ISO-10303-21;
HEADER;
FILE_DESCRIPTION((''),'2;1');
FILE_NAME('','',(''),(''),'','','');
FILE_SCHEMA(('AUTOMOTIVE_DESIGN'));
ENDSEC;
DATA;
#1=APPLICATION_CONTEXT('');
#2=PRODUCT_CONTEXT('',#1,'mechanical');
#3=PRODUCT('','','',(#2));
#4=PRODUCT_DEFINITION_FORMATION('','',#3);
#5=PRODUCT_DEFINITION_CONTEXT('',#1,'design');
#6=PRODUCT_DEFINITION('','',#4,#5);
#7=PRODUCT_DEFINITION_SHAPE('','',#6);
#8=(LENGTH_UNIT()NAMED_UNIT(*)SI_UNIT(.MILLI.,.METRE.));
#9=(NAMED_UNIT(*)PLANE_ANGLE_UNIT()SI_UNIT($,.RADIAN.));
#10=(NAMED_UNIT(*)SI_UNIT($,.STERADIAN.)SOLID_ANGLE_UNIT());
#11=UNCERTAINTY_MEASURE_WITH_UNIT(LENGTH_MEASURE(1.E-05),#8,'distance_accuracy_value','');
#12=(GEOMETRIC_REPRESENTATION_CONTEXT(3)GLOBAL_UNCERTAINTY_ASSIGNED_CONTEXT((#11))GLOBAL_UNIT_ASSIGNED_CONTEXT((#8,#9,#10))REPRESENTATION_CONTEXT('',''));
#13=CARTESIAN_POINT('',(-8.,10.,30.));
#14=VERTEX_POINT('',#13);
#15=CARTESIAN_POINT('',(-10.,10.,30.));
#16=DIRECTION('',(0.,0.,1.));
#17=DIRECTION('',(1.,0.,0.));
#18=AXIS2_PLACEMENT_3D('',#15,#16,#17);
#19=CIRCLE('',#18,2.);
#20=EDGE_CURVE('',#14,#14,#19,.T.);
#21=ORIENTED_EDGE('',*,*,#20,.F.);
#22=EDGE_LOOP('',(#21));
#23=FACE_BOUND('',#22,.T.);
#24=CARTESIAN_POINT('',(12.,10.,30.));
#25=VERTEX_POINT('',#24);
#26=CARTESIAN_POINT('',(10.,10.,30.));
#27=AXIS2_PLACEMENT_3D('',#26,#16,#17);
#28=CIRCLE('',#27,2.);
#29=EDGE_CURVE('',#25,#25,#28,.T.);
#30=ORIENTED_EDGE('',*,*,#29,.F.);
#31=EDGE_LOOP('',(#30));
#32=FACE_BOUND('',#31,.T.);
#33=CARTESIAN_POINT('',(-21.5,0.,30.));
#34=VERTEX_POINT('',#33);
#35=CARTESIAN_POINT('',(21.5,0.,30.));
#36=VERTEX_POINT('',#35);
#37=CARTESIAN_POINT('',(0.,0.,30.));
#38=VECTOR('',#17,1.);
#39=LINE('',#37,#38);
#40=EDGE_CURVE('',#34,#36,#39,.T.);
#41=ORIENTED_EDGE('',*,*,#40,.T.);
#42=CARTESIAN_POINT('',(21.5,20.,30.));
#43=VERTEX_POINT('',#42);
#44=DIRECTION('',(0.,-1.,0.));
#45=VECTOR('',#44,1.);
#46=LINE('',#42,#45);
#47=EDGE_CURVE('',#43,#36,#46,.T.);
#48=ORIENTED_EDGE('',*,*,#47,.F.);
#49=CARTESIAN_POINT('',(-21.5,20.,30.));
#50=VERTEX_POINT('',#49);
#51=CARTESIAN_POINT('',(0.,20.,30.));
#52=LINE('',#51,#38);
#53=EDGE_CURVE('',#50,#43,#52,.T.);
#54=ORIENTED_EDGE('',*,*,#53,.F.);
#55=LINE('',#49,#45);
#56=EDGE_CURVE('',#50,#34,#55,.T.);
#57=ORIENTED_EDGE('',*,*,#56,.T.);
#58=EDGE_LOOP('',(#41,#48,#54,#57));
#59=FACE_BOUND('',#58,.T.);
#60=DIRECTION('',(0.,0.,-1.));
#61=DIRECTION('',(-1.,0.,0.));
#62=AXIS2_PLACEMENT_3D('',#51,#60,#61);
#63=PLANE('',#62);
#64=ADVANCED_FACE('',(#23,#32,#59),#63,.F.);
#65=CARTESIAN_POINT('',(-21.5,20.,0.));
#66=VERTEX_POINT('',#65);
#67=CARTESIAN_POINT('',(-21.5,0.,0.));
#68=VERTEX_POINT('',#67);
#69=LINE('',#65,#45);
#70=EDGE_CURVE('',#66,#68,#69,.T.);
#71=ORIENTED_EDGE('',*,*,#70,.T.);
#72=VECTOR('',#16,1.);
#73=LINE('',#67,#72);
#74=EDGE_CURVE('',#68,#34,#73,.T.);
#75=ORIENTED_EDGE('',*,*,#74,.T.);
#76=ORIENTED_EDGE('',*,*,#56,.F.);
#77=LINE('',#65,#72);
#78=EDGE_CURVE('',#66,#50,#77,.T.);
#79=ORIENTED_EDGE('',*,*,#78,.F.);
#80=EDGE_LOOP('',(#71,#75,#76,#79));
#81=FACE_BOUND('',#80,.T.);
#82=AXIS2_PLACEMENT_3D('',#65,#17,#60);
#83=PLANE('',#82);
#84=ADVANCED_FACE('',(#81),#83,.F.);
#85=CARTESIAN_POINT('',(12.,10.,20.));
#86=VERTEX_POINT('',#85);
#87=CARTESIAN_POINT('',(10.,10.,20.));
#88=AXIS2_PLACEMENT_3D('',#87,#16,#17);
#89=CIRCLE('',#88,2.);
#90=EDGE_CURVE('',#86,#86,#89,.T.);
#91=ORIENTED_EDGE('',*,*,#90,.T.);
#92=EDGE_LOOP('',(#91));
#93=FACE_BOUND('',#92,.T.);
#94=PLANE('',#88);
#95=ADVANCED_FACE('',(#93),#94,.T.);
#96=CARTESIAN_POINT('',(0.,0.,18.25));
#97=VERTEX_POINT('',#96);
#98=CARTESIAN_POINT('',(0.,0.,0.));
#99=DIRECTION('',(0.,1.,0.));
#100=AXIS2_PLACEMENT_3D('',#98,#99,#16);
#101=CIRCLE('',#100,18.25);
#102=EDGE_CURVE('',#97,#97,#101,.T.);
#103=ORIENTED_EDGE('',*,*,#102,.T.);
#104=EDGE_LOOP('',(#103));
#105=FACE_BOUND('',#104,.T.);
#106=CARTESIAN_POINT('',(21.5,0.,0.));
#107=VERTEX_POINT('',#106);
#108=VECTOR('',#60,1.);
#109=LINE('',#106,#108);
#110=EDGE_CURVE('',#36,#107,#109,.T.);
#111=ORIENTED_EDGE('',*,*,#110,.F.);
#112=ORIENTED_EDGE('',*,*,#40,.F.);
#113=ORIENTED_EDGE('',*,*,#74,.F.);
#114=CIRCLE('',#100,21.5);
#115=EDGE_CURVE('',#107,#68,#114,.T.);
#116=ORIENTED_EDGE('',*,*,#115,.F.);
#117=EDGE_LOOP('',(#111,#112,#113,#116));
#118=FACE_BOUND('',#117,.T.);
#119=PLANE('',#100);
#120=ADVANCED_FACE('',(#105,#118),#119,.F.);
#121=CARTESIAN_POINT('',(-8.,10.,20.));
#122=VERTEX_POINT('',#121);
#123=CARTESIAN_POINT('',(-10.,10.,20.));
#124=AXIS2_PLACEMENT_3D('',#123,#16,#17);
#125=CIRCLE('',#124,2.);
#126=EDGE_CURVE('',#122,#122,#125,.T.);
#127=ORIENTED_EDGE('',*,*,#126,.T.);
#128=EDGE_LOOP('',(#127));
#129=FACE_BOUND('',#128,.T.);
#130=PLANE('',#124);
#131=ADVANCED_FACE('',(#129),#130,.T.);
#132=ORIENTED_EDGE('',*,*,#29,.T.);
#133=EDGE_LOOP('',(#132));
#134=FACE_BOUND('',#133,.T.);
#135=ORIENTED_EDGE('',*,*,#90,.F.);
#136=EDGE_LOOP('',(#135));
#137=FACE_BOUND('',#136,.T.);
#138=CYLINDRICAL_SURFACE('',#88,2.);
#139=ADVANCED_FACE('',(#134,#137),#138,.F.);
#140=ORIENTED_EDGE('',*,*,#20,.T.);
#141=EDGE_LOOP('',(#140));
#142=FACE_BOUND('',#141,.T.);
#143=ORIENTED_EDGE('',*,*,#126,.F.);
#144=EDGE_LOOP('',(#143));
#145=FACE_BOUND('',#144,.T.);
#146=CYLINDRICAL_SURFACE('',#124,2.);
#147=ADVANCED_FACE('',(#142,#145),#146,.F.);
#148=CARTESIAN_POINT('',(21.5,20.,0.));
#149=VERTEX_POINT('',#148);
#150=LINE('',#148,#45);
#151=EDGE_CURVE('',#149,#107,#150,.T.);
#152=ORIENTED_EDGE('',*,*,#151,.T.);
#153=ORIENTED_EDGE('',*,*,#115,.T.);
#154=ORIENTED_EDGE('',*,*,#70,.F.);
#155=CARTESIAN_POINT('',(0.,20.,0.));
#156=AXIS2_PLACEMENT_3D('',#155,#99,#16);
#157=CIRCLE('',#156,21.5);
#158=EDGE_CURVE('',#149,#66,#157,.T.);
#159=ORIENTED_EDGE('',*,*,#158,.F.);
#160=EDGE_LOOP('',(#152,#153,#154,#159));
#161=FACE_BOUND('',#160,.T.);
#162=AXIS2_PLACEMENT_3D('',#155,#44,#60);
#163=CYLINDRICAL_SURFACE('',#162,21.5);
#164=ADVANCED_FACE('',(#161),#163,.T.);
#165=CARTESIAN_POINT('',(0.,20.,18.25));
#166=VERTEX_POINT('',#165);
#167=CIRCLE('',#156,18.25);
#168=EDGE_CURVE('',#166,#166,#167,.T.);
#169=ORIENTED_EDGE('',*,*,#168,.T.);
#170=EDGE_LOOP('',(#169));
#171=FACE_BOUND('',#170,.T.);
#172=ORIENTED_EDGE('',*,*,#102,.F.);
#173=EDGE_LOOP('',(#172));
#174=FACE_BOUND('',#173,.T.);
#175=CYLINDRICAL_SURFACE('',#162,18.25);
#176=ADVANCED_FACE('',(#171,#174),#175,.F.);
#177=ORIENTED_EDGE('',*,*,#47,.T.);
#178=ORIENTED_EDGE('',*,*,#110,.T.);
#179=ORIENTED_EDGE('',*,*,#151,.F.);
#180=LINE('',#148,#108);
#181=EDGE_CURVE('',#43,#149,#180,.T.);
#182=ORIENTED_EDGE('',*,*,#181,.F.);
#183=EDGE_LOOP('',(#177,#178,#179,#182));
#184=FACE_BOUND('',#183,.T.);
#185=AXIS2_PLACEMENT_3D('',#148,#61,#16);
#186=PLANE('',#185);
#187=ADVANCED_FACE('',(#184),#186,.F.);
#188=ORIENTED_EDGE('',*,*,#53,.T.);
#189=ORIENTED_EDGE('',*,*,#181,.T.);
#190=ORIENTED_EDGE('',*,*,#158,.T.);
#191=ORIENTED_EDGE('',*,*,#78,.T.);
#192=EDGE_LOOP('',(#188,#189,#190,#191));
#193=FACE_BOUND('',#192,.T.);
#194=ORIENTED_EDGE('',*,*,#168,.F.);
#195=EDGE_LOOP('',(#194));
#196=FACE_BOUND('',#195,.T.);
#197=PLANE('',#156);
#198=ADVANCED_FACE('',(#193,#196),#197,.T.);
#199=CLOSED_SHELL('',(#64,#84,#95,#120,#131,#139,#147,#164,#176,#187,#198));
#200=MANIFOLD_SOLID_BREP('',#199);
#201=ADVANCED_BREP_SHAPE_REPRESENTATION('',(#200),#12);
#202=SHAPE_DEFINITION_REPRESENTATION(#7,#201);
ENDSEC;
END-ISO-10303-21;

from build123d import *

# Parameters (mm, degrees)
SKETCH1_R           = 21.5
SKETCH1_R_2         = 18.25
BOSS_EXTRUDE1_DEPTH = 20
SKETCH2_R           = 2
CUT_EXTRUDE1_DEPTH  = 10


with BuildPart() as part:
    # Sketch1 → Boss-Extrude1 (new body)
    # profile 1 of 2: a face of its own
    with BuildSketch(Plane(origin=(0, 0, 0), x_dir=(1, 0, 0), z_dir=(0, 1, 0))):
        with BuildLine():
            ThreePointArc((21.5, 0), (0, -21.5), (-21.5, 0))
            Line((-21.5, 0), (-21.5, -30))
            Line((-21.5, -30), (21.5, -30))
            Line((21.5, -30), (21.5, 0))
        make_face()
    # profile 2 of 2: a face of its own
    with BuildSketch(Plane(origin=(0, 0, 0), x_dir=(1, 0, 0), z_dir=(0, 1, 0))):
        Circle(SKETCH1_R)
        with Locations(Location((0, 0, 0), (0, 0, 270))):
            Circle(SKETCH1_R_2, mode=Mode.SUBTRACT)
    extrude(amount=BOSS_EXTRUDE1_DEPTH)

    # Sketch2 → Cut-Extrude1 (cut)
    with BuildSketch(Plane.XY.offset(30)):
        with Locations((-10, 10)):
            Circle(SKETCH2_R)
        with Locations((10, 10)):
            Circle(SKETCH2_R)
    extrude(amount=-CUT_EXTRUDE1_DEPTH, mode=Mode.SUBTRACT)


solid = part.part
